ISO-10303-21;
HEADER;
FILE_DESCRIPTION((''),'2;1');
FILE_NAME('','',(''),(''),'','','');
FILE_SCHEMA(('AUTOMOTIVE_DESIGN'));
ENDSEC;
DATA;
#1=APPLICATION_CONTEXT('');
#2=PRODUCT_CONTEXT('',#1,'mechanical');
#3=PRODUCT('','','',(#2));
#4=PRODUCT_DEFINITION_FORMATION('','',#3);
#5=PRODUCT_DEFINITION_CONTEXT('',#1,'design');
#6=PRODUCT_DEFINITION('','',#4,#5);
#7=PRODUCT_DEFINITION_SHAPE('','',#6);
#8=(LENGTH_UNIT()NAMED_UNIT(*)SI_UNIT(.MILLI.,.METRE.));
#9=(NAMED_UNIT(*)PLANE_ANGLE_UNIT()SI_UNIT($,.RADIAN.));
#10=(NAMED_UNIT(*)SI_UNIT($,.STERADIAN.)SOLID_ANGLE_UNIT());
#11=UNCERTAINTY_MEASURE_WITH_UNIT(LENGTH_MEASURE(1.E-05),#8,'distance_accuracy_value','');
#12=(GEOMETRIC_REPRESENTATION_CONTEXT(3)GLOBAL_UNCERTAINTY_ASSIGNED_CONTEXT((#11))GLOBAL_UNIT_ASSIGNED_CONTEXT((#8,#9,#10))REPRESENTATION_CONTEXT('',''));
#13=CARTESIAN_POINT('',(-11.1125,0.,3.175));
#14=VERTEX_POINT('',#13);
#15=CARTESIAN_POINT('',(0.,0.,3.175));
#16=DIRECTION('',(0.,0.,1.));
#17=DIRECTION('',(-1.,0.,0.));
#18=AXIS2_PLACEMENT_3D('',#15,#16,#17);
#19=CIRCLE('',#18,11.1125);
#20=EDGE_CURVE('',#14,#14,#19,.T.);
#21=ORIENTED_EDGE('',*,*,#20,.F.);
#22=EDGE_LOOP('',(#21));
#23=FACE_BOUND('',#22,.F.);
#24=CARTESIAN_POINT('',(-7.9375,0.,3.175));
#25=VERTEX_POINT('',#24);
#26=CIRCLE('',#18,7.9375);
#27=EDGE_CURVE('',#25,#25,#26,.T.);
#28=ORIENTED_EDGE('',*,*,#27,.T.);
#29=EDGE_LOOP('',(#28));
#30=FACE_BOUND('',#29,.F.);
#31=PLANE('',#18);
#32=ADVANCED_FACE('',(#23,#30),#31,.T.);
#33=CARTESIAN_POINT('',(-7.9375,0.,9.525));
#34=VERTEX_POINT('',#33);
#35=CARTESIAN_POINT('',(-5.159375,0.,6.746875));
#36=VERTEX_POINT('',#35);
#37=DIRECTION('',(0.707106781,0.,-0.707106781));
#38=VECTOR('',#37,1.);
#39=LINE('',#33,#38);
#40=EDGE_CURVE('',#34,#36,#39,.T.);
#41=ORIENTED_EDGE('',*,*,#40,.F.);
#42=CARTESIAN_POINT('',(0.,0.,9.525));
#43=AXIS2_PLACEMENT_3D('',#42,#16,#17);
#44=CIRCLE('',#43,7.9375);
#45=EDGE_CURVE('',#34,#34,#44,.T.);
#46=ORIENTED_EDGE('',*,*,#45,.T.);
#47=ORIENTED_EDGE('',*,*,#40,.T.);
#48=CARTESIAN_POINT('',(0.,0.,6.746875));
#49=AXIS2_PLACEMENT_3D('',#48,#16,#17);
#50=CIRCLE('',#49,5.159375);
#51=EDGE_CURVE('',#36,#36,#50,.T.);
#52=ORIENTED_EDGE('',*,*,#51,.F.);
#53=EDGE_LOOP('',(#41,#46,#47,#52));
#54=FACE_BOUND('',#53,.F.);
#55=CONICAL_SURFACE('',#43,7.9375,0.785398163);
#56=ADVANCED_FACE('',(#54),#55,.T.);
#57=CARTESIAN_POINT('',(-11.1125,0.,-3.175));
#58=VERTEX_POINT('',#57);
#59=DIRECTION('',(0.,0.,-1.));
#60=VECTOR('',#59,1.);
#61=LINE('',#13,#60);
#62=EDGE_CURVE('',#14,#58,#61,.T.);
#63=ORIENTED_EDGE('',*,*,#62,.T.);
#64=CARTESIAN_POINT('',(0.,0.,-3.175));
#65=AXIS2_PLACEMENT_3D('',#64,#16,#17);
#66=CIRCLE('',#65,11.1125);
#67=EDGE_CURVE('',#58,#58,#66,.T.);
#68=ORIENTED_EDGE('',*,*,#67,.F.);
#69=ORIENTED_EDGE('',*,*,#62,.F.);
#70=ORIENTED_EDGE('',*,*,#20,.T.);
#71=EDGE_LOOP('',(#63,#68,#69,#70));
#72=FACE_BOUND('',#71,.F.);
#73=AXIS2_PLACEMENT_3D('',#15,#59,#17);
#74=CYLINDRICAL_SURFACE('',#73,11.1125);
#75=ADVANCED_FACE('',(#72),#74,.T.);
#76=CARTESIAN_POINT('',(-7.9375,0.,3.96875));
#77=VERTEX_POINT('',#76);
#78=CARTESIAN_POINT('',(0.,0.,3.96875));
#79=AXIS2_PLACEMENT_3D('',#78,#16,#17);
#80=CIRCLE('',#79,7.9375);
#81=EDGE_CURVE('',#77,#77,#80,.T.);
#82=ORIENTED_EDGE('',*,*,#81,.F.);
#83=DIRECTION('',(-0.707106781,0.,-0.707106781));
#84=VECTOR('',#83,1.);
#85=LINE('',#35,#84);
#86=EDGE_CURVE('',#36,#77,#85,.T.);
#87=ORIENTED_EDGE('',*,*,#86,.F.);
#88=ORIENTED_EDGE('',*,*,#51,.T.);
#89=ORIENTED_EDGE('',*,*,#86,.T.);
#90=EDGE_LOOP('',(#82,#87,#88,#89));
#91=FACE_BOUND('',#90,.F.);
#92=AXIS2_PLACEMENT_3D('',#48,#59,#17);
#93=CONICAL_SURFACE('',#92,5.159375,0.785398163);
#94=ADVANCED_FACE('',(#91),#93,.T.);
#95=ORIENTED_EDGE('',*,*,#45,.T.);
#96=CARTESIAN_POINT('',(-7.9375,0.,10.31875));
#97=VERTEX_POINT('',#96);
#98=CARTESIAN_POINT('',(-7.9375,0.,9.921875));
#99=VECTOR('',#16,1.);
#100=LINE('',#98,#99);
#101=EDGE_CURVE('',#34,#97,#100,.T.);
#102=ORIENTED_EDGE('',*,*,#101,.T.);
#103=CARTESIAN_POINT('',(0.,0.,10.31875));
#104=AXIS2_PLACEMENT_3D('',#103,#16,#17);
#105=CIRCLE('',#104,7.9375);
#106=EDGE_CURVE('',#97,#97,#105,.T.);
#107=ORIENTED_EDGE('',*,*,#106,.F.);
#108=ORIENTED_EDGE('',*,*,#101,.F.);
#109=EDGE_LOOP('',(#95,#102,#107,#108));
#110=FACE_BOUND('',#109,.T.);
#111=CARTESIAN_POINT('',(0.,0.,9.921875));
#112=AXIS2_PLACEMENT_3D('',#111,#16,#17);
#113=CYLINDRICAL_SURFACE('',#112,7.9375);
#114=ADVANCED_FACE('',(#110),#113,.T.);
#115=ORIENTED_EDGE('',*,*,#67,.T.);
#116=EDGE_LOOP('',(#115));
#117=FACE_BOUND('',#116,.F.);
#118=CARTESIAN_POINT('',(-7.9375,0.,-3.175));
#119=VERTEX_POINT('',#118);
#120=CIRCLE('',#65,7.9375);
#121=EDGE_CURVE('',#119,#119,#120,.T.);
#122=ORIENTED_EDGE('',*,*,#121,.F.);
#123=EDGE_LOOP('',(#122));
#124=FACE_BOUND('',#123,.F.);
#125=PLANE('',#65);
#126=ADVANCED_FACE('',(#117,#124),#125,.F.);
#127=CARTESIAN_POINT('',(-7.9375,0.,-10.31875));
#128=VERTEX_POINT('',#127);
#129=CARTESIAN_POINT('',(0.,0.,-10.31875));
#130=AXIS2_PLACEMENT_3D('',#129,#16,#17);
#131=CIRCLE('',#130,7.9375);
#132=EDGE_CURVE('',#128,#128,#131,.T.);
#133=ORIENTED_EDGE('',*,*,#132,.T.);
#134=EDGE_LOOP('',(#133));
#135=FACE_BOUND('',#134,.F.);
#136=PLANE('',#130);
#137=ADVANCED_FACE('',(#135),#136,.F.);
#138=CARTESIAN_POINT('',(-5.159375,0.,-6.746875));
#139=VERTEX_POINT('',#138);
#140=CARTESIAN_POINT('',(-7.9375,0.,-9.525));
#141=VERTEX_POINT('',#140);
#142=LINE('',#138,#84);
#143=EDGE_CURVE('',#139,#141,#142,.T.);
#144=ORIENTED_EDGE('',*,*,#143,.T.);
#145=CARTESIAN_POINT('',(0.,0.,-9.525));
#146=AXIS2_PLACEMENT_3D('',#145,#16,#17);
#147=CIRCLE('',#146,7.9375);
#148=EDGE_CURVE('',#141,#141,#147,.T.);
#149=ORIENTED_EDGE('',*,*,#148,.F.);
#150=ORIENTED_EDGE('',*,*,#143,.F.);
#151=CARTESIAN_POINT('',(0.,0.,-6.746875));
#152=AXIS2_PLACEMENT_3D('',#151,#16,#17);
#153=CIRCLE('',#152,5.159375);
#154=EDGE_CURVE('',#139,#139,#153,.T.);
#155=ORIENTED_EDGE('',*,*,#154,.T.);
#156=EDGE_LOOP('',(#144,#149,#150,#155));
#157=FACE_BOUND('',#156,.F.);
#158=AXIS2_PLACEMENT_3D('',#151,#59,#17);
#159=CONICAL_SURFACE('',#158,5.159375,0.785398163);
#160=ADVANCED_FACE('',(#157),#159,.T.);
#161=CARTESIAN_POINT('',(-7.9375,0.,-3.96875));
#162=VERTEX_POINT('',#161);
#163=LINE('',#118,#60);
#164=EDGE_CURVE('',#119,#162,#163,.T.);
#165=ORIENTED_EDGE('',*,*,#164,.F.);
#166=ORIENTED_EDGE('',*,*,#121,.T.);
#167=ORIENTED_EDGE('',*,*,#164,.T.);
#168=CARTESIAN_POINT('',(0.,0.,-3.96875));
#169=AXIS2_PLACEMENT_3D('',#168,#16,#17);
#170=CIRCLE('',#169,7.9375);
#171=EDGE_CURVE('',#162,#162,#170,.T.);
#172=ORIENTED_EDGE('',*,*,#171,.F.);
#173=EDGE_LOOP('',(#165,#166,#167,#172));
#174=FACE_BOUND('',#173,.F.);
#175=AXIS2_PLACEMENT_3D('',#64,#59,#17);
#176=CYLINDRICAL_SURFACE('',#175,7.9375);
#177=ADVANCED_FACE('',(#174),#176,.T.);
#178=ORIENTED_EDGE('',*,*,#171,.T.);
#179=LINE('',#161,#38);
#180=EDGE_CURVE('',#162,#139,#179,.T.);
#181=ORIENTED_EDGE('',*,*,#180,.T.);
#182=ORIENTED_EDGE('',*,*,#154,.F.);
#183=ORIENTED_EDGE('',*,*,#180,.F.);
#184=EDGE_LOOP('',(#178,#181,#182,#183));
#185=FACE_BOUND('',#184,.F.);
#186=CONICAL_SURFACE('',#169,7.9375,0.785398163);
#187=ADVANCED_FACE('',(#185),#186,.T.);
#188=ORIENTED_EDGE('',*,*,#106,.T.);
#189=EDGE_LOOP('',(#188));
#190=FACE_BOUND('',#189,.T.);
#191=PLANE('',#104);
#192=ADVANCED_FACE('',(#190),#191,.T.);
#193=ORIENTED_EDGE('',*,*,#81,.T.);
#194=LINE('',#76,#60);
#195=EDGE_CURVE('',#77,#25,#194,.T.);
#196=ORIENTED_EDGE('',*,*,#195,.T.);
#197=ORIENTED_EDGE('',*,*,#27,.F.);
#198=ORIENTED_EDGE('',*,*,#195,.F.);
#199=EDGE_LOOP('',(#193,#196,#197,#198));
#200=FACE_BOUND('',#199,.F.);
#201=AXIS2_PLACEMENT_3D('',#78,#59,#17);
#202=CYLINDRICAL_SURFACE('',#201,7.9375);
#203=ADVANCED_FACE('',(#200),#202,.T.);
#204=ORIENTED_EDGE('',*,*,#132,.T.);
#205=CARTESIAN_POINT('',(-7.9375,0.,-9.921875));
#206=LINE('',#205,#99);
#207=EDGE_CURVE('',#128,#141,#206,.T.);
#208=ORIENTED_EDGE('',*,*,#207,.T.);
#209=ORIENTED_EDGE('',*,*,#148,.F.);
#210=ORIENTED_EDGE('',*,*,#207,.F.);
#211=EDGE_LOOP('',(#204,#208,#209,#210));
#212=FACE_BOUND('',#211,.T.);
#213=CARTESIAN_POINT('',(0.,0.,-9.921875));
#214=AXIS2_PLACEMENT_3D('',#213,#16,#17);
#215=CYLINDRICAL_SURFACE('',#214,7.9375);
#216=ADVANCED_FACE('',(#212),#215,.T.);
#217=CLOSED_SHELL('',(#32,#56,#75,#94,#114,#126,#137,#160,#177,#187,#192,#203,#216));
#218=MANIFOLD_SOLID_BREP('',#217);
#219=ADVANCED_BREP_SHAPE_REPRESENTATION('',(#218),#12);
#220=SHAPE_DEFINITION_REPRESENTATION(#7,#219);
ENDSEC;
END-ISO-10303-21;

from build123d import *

# Parameters (mm, degrees)
F0_W = 7.9375
F0_H = 0.79375


with BuildPart() as f1:
    # F0 (on Front) → F1 (revolve)
    with BuildSketch(Plane.XZ):
        Polygon((-7.9375, 9.525), (-5.159375, 6.746875), (0, 6.746875), (0, 9.525), align=None)
        Polygon((0, -3.175), (-7.9375, -3.175), (-7.9375, -3.96875), (-5.159375, -3.96875), (0, -3.96875), align=None)
        Polygon((0, -6.746875), (-5.159375, -6.746875), (-7.9375, -9.525), (0, -9.525), align=None)
        Polygon((-7.9375, 3.96875), (-7.9375, 3.175), (0, 3.175), (0, 3.96875), (-5.159375, 3.96875), align=None)
        Polygon((-5.159375, 6.746875), (-7.9375, 3.96875), (-5.159375, 3.96875), (0, 3.96875), (0, 6.746875), align=None)
        with Locations((-3.96875, 9.921875)):
            Rectangle(F0_W, F0_H)
        Polygon((-7.9375, 3.175), (-11.1125, 3.175), (-11.1125, -3.175), (-7.9375, -3.175), (0, -3.175), (0, 3.175), align=None)
        with Locations((-3.96875, -9.921875)):
            Rectangle(F0_W, F0_H)
        Polygon((-5.159375, -3.96875), (-7.9375, -3.96875), (-5.159375, -6.746875), (0, -6.746875), (0, -3.96875), align=None)
    revolve(axis=Axis((0, 0, 0), (0, 0, 1)))


solid = f1.part
